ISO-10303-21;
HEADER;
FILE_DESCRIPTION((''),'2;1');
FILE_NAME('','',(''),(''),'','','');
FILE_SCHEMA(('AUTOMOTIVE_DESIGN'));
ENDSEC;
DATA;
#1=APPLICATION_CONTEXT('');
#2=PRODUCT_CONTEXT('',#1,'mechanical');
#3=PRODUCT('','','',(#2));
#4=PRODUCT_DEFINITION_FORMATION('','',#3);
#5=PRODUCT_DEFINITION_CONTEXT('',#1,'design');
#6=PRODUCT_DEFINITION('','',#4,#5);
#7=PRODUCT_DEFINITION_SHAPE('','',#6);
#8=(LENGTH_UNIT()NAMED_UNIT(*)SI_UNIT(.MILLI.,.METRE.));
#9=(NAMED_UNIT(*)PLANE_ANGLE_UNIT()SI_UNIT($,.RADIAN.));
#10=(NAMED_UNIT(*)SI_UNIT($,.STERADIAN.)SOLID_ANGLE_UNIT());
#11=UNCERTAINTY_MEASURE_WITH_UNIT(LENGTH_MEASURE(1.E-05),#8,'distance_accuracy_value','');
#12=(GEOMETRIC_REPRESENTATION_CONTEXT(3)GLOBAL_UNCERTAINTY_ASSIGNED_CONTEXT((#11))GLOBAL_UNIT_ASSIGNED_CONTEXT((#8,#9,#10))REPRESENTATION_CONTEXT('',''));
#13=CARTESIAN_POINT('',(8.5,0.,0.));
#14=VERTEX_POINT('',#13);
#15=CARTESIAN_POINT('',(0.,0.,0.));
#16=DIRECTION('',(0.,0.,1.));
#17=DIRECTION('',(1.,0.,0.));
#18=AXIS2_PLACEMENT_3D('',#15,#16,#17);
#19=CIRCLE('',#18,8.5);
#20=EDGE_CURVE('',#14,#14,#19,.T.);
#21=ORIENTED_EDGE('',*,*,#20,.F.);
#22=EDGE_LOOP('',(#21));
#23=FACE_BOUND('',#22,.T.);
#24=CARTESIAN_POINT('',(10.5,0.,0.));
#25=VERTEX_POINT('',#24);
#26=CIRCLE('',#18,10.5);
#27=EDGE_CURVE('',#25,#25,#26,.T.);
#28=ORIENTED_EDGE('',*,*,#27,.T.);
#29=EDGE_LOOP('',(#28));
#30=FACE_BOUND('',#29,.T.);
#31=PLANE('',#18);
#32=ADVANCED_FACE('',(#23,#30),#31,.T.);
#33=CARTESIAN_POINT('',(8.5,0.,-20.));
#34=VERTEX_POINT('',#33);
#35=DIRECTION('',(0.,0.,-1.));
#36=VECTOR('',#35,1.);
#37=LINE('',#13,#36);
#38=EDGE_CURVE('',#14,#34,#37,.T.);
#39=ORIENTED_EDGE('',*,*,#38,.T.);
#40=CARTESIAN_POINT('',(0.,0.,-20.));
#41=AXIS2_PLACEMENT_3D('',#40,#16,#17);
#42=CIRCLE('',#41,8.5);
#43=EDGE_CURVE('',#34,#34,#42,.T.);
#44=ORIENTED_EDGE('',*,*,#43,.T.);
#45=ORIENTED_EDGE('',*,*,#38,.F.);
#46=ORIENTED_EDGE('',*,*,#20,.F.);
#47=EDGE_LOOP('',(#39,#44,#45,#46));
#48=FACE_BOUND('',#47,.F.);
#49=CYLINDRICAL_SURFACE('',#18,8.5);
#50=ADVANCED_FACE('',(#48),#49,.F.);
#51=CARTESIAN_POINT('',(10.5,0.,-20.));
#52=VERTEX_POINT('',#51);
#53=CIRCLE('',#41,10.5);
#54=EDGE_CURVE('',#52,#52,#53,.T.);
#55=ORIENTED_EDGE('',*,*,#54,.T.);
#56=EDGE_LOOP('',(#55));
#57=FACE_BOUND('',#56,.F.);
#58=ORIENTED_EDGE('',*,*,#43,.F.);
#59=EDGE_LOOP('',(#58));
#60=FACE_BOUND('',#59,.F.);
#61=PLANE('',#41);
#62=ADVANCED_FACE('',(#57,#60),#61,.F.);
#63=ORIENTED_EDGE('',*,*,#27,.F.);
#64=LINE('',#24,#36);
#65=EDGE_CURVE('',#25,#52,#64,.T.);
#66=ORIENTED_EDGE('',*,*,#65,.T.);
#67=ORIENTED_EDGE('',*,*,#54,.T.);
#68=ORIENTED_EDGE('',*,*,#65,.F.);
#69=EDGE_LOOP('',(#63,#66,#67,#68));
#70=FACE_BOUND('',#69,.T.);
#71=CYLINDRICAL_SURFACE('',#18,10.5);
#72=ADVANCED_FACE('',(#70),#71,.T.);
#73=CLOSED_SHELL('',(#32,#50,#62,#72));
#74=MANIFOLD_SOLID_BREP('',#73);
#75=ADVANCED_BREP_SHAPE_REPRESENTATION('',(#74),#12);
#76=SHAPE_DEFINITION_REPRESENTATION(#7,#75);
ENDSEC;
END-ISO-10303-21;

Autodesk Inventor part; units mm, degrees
ref_plane "YZ Plane" through (0, 0, 0) normal (1, 0, 0) x (0, 1, 0)
ref_plane "XZ Plane" through (0, 0, 0) normal (0, 1, 0) x (-1, 0, 0)
ref_plane "XY Plane" through (0, 0, 0) normal (0, 0, 1) x (1, 0, 0)
sketch "Sketch11" plane through (0, 0, 0) normal (0, 0, 1) x (1, 0, 0)
  circle A0 centre (0, 0) radius 10.5
  circle A1 centre (0, 0) radius 8.5
  dimension "d187" = 21
  dimension "d188" = 2
extrude "Extrusion5" add sketch "Sketch11" against normal blind 20
properties part number "ANP 1757 FDS 1400 way tube 7" material "Stainless Steel"
